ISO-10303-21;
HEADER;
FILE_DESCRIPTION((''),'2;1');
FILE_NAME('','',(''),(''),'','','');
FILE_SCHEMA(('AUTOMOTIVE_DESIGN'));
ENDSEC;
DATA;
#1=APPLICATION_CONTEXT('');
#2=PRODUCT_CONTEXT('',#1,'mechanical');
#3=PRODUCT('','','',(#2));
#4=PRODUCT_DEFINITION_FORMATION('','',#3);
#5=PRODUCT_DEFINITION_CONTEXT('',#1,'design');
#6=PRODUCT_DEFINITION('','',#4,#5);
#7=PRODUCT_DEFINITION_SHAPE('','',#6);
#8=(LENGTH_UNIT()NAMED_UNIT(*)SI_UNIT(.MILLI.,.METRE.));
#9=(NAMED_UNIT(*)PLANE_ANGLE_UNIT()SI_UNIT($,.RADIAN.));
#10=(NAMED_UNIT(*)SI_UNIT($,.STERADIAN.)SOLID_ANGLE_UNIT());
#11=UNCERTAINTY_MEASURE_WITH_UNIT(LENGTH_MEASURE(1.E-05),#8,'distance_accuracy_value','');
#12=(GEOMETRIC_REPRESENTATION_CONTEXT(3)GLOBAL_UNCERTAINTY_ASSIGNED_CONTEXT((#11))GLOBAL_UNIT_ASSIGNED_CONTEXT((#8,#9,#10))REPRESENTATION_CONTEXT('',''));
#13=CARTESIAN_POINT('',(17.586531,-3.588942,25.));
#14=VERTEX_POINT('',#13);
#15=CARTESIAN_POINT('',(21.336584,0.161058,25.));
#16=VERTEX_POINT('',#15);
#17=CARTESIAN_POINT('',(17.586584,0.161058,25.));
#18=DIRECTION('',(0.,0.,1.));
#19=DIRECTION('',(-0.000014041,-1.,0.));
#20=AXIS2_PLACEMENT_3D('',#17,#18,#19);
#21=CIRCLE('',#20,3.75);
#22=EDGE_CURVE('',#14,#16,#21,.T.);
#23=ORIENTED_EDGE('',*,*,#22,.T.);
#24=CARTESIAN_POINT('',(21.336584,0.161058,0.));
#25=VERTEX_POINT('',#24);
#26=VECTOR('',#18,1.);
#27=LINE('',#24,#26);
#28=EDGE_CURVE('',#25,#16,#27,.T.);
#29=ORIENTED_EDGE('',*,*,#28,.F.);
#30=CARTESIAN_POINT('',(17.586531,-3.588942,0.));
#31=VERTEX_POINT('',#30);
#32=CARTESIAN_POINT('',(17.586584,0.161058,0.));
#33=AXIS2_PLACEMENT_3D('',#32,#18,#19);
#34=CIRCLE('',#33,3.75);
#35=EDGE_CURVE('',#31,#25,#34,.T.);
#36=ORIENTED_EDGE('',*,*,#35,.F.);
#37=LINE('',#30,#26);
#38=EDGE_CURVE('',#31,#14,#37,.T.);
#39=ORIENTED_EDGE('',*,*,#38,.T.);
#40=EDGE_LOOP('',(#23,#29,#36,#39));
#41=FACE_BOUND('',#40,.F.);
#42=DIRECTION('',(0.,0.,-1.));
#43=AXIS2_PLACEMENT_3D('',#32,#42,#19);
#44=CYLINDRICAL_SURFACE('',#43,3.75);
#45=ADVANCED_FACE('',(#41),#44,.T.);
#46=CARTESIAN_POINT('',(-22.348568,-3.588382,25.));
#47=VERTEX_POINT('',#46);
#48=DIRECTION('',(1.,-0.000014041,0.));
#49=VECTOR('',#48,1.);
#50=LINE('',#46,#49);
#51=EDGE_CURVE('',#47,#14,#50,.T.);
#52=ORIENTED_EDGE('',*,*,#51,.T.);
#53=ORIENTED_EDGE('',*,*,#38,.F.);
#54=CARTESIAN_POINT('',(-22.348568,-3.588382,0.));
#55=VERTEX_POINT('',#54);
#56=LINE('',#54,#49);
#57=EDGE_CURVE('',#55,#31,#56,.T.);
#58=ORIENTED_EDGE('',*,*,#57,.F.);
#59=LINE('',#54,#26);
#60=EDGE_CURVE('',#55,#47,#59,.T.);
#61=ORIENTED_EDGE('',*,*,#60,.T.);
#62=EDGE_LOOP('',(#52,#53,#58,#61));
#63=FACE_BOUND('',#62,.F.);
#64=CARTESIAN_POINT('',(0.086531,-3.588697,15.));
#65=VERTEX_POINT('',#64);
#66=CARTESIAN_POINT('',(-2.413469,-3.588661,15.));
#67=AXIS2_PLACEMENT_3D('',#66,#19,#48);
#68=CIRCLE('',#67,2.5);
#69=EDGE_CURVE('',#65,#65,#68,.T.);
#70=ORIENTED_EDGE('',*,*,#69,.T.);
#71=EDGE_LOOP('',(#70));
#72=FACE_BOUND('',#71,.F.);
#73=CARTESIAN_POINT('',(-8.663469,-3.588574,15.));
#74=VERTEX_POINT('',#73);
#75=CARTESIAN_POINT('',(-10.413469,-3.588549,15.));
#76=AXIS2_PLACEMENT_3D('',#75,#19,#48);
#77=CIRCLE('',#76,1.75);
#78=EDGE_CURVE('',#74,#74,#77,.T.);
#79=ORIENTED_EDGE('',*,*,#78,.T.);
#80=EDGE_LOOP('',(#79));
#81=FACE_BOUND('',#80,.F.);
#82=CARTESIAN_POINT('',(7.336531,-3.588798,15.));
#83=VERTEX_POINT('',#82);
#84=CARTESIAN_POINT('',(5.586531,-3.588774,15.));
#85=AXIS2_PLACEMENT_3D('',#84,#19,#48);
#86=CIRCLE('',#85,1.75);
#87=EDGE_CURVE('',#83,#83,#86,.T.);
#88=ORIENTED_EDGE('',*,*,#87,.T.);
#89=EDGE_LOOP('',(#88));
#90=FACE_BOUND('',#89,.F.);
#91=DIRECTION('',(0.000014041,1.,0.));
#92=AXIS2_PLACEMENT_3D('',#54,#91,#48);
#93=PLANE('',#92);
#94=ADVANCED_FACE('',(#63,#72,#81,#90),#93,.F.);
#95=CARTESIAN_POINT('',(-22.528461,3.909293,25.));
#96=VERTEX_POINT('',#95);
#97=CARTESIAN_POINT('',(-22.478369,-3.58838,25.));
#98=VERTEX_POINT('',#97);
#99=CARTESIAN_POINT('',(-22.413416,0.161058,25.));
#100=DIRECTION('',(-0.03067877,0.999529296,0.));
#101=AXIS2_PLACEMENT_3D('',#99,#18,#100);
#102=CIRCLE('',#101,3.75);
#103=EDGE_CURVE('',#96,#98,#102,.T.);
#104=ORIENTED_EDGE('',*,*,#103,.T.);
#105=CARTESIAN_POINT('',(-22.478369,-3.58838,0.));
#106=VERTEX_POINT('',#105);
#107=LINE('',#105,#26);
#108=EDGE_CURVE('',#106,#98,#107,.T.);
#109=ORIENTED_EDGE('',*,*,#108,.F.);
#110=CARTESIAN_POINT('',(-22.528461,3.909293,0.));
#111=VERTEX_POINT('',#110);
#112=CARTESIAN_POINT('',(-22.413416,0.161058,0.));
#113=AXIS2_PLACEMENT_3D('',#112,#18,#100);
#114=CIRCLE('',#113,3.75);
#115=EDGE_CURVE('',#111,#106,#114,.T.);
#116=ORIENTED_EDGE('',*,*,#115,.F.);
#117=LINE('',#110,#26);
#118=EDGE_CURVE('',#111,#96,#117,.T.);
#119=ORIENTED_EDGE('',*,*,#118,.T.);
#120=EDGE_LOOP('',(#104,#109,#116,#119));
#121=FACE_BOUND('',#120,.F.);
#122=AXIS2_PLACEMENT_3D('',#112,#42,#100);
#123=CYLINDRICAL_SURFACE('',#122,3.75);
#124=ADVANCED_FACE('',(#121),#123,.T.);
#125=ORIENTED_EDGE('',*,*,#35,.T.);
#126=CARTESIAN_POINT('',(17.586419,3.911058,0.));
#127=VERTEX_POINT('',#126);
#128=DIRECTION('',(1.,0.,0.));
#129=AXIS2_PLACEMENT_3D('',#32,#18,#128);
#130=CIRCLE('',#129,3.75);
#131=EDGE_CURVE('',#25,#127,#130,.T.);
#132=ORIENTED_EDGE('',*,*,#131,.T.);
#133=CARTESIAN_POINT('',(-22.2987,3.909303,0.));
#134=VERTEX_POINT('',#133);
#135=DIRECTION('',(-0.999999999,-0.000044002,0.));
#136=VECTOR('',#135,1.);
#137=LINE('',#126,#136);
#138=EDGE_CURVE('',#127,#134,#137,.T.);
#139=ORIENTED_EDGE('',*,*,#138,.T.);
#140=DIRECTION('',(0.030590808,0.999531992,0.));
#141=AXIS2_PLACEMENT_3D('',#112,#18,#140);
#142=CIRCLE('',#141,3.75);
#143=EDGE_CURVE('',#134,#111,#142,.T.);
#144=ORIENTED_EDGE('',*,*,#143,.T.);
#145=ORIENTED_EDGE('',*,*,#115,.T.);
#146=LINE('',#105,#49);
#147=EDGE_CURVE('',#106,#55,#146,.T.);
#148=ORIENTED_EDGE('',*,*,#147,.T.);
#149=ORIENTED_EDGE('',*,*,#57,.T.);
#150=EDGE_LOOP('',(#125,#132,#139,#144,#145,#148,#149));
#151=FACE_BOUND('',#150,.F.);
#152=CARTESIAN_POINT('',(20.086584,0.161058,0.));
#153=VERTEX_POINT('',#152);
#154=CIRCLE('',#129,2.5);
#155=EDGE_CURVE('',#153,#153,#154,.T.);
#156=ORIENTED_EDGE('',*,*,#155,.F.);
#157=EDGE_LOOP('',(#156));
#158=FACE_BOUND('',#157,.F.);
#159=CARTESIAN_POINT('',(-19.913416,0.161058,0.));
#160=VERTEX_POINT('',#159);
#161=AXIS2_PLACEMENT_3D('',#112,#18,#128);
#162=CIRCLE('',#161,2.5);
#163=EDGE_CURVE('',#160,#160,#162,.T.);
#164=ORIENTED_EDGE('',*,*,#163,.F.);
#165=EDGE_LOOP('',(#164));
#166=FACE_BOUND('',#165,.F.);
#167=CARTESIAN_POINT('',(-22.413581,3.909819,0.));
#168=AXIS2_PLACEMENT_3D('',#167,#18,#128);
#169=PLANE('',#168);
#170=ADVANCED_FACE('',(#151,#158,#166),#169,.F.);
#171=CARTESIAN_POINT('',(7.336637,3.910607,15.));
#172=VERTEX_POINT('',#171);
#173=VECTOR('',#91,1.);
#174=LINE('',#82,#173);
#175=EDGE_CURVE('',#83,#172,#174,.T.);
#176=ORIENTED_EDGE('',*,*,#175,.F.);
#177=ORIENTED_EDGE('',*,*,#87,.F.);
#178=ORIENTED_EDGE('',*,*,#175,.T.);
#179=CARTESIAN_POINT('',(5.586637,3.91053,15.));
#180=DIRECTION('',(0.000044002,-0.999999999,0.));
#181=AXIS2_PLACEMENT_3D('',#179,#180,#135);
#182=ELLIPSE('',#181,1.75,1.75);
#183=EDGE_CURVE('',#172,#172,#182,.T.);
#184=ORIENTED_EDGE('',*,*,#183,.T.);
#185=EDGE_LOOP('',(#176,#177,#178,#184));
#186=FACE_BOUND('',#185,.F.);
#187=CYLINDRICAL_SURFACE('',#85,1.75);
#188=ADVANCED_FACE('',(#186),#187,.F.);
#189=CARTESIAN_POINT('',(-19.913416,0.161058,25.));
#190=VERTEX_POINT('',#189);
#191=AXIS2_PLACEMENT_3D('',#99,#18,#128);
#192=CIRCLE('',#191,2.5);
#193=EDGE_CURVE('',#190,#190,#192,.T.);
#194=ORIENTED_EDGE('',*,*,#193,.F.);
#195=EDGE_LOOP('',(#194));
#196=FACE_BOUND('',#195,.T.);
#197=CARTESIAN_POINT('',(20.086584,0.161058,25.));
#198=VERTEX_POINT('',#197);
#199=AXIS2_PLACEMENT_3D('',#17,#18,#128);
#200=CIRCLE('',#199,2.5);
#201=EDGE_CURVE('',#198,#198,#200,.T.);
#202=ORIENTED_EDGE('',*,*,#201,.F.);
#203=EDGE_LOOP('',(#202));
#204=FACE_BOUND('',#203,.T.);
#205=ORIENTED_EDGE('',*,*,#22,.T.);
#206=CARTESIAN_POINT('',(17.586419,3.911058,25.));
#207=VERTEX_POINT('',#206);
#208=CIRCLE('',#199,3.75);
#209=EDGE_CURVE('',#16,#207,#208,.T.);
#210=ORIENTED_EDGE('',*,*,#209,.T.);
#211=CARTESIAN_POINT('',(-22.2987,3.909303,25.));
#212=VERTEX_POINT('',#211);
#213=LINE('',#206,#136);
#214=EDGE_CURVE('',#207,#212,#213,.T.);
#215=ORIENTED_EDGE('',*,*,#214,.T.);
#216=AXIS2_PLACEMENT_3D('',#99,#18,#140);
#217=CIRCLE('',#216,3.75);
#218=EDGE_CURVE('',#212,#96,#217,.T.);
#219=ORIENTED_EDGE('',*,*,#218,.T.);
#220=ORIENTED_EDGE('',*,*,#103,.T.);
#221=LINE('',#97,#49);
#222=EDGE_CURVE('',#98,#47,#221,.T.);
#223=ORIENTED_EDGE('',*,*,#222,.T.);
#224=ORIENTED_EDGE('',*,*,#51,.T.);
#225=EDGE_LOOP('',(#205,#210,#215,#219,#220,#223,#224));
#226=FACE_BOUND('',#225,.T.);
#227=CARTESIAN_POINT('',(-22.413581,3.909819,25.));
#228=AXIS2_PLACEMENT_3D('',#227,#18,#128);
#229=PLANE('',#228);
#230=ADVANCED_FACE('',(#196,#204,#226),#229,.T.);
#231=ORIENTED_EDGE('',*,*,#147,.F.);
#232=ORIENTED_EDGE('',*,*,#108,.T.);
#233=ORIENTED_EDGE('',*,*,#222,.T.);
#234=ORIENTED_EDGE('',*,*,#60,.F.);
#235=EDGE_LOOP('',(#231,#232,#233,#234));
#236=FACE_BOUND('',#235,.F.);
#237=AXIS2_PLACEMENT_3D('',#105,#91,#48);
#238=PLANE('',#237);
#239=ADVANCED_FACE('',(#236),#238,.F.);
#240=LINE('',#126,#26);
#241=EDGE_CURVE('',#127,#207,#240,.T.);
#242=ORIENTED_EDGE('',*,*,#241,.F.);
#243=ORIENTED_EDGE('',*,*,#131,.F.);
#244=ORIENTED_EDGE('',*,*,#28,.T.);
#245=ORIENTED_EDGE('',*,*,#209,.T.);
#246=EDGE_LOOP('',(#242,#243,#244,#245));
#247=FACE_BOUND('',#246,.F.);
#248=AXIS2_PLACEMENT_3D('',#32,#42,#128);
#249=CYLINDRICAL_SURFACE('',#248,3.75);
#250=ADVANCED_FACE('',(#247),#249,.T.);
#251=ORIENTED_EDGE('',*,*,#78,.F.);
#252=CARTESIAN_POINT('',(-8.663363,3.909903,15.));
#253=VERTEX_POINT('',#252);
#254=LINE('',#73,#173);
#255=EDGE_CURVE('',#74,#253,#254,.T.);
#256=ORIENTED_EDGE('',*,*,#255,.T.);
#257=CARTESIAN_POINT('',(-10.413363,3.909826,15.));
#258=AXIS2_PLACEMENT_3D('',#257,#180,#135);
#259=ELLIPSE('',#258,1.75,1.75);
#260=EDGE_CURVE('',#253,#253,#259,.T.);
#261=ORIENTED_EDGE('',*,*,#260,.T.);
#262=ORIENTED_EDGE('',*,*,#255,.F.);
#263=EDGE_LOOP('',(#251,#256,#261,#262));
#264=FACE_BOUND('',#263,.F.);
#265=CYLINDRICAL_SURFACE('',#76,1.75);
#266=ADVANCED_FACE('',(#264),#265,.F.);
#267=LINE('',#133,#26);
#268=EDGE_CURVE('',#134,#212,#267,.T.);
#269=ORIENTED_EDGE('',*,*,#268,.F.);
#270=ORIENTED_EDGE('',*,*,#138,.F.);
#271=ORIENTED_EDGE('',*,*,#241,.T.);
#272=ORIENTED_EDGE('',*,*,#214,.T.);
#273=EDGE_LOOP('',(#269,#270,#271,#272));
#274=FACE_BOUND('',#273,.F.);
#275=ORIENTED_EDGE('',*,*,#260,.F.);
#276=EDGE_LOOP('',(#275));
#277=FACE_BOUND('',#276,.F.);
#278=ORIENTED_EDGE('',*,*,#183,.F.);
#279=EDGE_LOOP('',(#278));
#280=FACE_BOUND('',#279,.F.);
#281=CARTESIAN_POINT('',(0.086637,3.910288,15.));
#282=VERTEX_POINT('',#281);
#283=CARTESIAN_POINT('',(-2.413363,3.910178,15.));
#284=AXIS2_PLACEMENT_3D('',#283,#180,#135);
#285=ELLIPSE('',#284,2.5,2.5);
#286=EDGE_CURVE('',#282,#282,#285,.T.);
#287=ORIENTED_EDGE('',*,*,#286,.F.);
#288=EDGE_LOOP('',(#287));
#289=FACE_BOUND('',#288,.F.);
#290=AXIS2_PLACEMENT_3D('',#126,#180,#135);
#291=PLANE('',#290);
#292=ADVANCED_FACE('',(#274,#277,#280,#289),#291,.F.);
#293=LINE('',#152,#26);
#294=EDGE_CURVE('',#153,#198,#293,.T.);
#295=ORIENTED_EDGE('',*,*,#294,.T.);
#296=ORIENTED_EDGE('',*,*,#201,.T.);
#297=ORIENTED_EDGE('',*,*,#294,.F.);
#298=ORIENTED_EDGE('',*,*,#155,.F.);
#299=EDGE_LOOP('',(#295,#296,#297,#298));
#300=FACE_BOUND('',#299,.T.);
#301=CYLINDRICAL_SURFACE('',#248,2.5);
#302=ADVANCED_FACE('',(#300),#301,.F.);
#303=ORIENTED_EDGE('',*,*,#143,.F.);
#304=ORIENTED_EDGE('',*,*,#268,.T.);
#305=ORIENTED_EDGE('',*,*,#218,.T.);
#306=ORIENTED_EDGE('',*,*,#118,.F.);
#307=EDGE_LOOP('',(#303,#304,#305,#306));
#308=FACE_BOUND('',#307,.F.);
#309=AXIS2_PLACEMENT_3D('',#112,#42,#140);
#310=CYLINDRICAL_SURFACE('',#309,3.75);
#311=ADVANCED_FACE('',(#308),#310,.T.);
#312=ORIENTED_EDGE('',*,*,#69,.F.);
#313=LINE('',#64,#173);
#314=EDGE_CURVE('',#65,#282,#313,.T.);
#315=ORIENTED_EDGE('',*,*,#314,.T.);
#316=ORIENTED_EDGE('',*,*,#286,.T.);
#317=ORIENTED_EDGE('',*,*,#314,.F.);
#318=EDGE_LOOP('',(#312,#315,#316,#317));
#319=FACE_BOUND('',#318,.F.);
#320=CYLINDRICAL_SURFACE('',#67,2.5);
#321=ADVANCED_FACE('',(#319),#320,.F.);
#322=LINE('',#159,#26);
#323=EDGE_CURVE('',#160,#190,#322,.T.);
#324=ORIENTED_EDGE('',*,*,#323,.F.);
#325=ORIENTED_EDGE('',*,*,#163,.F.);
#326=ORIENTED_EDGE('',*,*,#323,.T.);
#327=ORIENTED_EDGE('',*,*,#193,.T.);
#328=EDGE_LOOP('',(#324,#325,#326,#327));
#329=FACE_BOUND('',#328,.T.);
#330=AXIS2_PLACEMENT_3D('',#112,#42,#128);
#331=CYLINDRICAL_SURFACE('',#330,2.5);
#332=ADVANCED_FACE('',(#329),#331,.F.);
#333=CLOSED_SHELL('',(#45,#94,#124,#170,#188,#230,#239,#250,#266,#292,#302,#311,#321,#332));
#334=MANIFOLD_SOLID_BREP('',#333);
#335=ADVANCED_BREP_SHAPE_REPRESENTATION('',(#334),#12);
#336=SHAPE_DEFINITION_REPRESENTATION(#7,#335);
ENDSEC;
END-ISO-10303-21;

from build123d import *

# Parameters (mm, degrees)
F0_R     = 2.5
F1_DEPTH = 25
F2_R     = 2.5
F2_R_2   = 1.75
F3_DEPTH = 25


with BuildPart() as f1:
    # F0 (on Top) → F1 (new body)
    with BuildSketch(Plane.XY):
        with BuildLine():
            ThreePointArc((-22.2987003433, 3.9093026814), (-22.4135808771, 3.9110577088), (-22.5284612561, 3.9092925715))
            Line((-22.5284612561, 3.9092925715), (-22.2987003433, 3.9093026814))
        make_face()
        with BuildLine():
            Line((-22.2987003433, 3.9093026814), (-22.5284612561, 3.9092925715))
            ThreePointArc((-22.5284612561, 3.9092925715), (-26.1633321793, 0.1360043849), (-22.4783690343, -3.5883797236))
            Line((-22.4783690343, -3.5883797236), (-22.3485679986, -3.5883815462))
            ThreePointArc((-22.3485679986, -3.5883815462), (-19.7389365261, -2.4675655475), (-18.6634158694, 0.1610577124))
            ThreePointArc((-18.6634158694, 0.1610577124), (-19.7215128973, 2.7718350657), (-22.2987003433, 3.9093026814))
        make_face()
        with Locations((-22.4134158694, 0.1610577124)):
            Circle(F0_R, mode=Mode.SUBTRACT)
        with BuildLine():
            ThreePointArc((21.3365841306, 0.1610577124), (20.2381762203, 2.8127664802), (17.5864191229, 3.9110577088))
            ThreePointArc((17.5864191229, 3.9110577088), (13.836584131, 0.161001536), (17.5865314757, -3.5889422872))
            ThreePointArc((17.5865314757, -3.5889422872), (20.2382159436, -2.4906113333), (21.3365841306, 0.1610577124))
        make_face()
        with Locations((17.5865841306, 0.1610577124)):
            Circle(F0_R, mode=Mode.SUBTRACT)
        with BuildLine():
            Line((17.5864191229, 3.9110577088), (-22.2987003433, 3.9093026814))
            ThreePointArc((-22.2987003433, 3.9093026814), (-19.7215128973, 2.7718350657), (-18.6634158694, 0.1610577124))
            ThreePointArc((-18.6634158694, 0.1610577124), (-19.7389365261, -2.4675655475), (-22.3485679986, -3.5883815462))
            Line((-22.3485679986, -3.5883815462), (17.5865314757, -3.5889422872))
            ThreePointArc((17.5865314757, -3.5889422872), (13.836584131, 0.161001536), (17.5864191229, 3.9110577088))
        make_face()
    extrude(amount=F1_DEPTH)

    # F2 (on face) → F3 (cut)
    with BuildSketch(Plane(origin=(-5.039e-05, -3.5886953486, 0), x_dir=(0.9999999999, -1.40413e-05, 0), z_dir=(-1.40413e-05, -0.9999999999, 0))):
        with Locations((-2.4134181326, 15)):
            Circle(F2_R)
        with Locations((-10.4134181326, 15)):
            Circle(F2_R_2)
        with Locations((5.5865818674, 15)):
            Circle(F2_R_2)
    extrude(amount=-F3_DEPTH, mode=Mode.SUBTRACT)


solid = f1.part
